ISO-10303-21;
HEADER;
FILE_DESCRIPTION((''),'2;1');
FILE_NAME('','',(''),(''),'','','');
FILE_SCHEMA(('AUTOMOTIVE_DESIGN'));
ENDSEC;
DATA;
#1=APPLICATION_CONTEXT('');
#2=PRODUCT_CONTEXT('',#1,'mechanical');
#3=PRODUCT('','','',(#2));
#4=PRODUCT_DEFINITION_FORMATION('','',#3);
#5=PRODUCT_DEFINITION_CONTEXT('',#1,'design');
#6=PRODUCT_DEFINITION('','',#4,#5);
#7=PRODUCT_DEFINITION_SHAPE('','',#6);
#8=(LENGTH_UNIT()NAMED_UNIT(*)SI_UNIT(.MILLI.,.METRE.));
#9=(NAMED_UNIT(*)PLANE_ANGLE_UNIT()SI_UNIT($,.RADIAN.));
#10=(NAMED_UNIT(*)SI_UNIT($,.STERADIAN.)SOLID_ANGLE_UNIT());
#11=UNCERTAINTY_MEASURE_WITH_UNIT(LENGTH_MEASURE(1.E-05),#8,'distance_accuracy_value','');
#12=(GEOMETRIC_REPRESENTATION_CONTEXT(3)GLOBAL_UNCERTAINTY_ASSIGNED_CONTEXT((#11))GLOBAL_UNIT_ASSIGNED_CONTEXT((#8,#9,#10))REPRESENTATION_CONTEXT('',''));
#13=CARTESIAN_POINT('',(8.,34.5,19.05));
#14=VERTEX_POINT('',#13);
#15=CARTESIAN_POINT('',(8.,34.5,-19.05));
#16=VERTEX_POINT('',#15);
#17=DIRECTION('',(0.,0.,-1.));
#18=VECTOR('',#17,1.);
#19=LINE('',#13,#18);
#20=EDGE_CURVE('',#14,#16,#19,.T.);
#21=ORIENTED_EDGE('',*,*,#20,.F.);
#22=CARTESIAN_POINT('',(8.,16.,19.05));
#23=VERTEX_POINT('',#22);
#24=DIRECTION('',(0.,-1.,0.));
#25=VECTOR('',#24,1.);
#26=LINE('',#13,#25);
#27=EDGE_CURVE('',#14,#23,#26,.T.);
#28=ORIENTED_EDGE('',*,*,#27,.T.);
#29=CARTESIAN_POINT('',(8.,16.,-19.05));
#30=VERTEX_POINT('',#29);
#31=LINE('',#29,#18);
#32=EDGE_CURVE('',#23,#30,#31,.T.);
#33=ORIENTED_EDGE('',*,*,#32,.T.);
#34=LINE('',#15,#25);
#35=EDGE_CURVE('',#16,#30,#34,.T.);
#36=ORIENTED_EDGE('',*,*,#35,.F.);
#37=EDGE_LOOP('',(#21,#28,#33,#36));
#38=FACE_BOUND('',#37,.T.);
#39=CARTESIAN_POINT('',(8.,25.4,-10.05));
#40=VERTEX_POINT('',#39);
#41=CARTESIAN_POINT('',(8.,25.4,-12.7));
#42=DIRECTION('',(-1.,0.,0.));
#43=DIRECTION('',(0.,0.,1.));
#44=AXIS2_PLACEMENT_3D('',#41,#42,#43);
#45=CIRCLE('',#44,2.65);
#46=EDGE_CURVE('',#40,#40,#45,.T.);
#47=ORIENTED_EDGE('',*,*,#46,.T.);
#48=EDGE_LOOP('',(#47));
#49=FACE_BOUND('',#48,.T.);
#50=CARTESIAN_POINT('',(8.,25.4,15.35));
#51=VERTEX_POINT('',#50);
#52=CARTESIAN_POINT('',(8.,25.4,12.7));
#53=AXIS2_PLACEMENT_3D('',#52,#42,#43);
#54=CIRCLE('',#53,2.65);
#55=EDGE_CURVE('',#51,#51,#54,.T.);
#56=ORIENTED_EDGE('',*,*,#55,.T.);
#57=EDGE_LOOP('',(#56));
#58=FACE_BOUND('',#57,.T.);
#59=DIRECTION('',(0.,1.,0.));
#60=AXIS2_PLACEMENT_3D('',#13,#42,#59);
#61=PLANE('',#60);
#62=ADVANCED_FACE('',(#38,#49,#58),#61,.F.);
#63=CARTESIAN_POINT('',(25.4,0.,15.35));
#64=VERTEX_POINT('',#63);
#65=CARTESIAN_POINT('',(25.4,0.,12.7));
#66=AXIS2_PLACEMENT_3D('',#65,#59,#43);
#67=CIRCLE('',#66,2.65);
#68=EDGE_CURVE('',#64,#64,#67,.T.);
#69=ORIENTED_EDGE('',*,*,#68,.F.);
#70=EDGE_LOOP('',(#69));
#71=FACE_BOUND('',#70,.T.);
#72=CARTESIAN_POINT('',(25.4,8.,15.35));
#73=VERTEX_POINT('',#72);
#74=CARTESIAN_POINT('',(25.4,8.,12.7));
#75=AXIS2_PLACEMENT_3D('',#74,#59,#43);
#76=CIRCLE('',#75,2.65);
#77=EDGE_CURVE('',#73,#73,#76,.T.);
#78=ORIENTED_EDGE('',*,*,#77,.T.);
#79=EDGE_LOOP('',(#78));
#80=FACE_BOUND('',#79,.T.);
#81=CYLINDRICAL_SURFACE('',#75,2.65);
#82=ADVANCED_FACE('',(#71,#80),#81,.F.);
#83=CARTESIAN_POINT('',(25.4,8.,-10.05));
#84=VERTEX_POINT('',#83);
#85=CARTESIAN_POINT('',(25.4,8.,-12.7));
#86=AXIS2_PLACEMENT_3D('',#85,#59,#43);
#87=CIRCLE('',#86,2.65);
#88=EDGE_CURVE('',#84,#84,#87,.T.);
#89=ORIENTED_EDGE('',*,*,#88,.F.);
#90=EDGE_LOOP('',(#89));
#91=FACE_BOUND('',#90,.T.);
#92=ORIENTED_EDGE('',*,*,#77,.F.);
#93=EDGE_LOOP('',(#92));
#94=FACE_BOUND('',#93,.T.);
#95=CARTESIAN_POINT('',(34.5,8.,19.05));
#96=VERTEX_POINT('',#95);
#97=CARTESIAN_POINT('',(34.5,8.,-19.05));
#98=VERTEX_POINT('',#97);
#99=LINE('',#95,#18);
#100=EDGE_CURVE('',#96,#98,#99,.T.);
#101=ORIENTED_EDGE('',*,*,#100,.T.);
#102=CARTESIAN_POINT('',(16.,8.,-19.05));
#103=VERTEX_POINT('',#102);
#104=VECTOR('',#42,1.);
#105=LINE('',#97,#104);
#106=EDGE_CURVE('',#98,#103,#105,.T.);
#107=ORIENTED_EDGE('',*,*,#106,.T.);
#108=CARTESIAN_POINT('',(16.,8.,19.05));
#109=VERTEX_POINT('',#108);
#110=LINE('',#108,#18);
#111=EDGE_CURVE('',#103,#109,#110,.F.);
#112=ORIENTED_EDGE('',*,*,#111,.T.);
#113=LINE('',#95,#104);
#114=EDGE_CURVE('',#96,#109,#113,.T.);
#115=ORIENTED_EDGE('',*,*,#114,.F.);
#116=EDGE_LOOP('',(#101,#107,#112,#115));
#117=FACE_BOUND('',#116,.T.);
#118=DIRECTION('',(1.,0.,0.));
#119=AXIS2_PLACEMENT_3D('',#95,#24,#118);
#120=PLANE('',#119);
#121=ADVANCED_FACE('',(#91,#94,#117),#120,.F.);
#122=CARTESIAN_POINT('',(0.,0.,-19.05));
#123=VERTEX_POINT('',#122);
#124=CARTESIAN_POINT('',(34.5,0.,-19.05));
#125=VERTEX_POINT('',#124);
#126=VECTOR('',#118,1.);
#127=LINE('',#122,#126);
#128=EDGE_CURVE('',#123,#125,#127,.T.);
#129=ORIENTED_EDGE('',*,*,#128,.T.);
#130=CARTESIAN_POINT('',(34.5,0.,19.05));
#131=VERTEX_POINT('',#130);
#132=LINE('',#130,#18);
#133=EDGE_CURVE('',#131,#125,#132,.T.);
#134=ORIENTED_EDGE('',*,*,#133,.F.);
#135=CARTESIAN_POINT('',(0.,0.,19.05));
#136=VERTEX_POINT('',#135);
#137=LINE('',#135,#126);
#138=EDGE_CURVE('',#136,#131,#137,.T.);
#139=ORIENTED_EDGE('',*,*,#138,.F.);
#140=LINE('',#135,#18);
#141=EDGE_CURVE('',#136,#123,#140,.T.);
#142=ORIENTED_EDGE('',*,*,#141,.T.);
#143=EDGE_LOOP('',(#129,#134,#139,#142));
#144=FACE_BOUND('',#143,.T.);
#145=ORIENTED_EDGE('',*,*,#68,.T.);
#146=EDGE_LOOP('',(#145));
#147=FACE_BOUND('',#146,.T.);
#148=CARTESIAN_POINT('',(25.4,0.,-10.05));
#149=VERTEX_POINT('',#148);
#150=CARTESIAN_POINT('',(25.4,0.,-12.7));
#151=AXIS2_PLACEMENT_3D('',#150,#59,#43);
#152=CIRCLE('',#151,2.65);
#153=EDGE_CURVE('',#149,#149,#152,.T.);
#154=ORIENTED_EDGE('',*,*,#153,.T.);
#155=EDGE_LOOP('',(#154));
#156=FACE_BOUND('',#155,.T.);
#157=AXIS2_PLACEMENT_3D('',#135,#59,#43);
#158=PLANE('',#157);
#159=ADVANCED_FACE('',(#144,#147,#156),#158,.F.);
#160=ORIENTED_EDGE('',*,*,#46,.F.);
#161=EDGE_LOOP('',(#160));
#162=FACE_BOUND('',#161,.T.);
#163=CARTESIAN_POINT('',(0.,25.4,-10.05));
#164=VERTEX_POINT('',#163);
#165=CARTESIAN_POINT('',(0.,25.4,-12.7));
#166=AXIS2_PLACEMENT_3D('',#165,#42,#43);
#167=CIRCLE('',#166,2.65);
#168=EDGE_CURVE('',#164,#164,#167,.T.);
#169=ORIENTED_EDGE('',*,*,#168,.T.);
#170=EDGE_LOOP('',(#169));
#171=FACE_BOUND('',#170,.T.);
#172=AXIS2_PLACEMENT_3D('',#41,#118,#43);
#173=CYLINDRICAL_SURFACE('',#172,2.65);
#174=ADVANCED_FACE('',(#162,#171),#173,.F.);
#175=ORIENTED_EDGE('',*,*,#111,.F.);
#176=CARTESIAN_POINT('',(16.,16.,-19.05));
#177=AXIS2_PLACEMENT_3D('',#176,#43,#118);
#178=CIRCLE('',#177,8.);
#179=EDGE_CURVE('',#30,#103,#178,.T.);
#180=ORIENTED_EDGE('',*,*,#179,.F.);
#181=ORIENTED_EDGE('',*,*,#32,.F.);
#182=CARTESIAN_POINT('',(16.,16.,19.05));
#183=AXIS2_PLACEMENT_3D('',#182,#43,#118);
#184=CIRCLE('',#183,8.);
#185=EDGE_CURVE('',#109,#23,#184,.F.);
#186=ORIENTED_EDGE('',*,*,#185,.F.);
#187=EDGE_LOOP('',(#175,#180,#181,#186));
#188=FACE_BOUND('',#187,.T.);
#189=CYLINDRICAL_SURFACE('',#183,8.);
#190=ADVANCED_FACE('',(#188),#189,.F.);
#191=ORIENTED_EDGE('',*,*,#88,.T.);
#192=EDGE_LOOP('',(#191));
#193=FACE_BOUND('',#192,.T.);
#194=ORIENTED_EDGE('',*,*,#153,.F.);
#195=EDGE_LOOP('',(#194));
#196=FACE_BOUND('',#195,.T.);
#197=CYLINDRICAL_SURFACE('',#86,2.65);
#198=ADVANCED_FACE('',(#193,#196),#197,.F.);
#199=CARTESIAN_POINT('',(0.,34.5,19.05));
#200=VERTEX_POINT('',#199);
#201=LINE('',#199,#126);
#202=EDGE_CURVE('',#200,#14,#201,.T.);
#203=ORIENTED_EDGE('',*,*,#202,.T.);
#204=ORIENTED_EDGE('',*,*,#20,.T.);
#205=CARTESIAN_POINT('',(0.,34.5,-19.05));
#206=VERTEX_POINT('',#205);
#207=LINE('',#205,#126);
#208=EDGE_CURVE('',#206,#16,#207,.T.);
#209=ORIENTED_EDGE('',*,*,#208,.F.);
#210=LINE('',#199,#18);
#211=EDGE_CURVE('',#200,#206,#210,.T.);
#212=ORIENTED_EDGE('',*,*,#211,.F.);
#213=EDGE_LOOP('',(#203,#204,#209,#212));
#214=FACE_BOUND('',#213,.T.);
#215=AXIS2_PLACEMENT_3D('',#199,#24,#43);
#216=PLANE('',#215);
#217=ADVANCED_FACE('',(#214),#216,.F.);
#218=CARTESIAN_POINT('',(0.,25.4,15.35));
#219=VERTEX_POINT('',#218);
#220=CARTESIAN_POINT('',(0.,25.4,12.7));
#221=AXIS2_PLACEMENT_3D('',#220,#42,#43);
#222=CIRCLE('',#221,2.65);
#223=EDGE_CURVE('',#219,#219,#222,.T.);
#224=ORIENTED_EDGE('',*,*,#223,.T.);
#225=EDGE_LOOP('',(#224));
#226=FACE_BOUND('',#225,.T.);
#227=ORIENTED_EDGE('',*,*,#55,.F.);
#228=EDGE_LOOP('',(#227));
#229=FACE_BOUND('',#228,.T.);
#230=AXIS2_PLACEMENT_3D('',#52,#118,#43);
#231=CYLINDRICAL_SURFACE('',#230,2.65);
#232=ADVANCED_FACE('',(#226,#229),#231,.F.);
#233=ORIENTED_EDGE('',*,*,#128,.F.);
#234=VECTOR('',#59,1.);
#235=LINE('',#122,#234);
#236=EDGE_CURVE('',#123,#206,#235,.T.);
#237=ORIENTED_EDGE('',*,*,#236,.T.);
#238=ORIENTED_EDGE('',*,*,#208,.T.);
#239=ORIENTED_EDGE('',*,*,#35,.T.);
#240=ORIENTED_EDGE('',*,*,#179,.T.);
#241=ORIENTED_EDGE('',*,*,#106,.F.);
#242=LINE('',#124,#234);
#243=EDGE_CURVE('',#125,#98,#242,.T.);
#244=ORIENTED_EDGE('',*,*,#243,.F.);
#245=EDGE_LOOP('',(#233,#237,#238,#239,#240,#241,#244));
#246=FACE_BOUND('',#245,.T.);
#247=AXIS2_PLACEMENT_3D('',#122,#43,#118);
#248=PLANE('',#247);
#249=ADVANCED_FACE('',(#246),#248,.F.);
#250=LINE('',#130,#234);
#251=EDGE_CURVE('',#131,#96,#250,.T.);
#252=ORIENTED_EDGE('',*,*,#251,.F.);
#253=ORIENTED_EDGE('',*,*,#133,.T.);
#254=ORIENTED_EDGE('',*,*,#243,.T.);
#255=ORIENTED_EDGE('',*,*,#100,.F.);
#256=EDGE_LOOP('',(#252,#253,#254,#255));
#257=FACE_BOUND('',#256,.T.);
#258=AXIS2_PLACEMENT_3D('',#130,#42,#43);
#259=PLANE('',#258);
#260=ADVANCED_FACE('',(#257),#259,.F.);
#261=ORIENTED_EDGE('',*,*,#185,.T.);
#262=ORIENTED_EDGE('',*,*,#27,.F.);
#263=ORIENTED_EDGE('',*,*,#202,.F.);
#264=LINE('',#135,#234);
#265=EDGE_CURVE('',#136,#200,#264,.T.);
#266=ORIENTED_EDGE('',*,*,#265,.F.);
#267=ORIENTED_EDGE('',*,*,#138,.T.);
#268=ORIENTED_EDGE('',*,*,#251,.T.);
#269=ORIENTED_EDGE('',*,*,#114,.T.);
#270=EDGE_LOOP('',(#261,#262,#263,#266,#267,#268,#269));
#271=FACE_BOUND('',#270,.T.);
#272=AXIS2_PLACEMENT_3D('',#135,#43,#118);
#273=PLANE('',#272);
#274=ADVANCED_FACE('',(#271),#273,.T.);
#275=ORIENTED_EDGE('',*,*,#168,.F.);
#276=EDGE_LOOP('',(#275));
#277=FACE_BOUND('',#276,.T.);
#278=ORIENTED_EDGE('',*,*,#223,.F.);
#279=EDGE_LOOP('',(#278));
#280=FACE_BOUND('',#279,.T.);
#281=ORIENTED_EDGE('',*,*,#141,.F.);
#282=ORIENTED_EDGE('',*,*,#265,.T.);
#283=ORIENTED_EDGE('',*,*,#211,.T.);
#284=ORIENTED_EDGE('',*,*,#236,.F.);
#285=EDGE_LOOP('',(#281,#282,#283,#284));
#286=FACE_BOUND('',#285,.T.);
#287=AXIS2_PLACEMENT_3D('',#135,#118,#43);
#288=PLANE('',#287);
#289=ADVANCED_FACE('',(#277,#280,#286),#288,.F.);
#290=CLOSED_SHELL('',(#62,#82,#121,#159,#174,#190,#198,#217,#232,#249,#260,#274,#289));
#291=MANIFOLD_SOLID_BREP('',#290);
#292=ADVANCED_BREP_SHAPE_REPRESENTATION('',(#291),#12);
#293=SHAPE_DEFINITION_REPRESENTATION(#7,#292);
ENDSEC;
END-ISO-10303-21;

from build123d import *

# Parameters (mm, degrees)
BOSS_EXTRUDE1_DEPTH  = 19.05
M5_CLEARANCE_HOLE1_D = 5.3
FILLET1_R            = 8


with BuildPart() as part:
    # Sketch1 → Boss-Extrude1 (new, symmetric)
    with BuildSketch(Plane.XY):
        Polygon((0, 0), (34.5, 0), (34.5, 8), (8, 8), align=None)
    extrude(amount=BOSS_EXTRUDE1_DEPTH, both=True)

    # M5 Clearance Hole1 (through all)
    with Locations(Plane(origin=(0, 8, 0), x_dir=(1, 0, 0), z_dir=(0, 1, 0))):
        with Locations((25.4, 12.7), (25.4, -12.7)):
            Hole(M5_CLEARANCE_HOLE1_D / 2)

    # Mirror1: part across plane


with BuildPart() as part_1:
    add(part.part)
    add(part.part.mirror(Plane(origin=(0, 0, 19.05), x_dir=(0, 0, 1), z_dir=(0.7071067811865475, -0.7071067811865478, 0))))

    # Fillet1
    fillet1_edges = [part_1.edges().sort_by_distance(p)[0] for p in [
        (8, 8, 0),
    ]]
    fillet(fillet1_edges, radius=FILLET1_R)


solid = part_1.part
